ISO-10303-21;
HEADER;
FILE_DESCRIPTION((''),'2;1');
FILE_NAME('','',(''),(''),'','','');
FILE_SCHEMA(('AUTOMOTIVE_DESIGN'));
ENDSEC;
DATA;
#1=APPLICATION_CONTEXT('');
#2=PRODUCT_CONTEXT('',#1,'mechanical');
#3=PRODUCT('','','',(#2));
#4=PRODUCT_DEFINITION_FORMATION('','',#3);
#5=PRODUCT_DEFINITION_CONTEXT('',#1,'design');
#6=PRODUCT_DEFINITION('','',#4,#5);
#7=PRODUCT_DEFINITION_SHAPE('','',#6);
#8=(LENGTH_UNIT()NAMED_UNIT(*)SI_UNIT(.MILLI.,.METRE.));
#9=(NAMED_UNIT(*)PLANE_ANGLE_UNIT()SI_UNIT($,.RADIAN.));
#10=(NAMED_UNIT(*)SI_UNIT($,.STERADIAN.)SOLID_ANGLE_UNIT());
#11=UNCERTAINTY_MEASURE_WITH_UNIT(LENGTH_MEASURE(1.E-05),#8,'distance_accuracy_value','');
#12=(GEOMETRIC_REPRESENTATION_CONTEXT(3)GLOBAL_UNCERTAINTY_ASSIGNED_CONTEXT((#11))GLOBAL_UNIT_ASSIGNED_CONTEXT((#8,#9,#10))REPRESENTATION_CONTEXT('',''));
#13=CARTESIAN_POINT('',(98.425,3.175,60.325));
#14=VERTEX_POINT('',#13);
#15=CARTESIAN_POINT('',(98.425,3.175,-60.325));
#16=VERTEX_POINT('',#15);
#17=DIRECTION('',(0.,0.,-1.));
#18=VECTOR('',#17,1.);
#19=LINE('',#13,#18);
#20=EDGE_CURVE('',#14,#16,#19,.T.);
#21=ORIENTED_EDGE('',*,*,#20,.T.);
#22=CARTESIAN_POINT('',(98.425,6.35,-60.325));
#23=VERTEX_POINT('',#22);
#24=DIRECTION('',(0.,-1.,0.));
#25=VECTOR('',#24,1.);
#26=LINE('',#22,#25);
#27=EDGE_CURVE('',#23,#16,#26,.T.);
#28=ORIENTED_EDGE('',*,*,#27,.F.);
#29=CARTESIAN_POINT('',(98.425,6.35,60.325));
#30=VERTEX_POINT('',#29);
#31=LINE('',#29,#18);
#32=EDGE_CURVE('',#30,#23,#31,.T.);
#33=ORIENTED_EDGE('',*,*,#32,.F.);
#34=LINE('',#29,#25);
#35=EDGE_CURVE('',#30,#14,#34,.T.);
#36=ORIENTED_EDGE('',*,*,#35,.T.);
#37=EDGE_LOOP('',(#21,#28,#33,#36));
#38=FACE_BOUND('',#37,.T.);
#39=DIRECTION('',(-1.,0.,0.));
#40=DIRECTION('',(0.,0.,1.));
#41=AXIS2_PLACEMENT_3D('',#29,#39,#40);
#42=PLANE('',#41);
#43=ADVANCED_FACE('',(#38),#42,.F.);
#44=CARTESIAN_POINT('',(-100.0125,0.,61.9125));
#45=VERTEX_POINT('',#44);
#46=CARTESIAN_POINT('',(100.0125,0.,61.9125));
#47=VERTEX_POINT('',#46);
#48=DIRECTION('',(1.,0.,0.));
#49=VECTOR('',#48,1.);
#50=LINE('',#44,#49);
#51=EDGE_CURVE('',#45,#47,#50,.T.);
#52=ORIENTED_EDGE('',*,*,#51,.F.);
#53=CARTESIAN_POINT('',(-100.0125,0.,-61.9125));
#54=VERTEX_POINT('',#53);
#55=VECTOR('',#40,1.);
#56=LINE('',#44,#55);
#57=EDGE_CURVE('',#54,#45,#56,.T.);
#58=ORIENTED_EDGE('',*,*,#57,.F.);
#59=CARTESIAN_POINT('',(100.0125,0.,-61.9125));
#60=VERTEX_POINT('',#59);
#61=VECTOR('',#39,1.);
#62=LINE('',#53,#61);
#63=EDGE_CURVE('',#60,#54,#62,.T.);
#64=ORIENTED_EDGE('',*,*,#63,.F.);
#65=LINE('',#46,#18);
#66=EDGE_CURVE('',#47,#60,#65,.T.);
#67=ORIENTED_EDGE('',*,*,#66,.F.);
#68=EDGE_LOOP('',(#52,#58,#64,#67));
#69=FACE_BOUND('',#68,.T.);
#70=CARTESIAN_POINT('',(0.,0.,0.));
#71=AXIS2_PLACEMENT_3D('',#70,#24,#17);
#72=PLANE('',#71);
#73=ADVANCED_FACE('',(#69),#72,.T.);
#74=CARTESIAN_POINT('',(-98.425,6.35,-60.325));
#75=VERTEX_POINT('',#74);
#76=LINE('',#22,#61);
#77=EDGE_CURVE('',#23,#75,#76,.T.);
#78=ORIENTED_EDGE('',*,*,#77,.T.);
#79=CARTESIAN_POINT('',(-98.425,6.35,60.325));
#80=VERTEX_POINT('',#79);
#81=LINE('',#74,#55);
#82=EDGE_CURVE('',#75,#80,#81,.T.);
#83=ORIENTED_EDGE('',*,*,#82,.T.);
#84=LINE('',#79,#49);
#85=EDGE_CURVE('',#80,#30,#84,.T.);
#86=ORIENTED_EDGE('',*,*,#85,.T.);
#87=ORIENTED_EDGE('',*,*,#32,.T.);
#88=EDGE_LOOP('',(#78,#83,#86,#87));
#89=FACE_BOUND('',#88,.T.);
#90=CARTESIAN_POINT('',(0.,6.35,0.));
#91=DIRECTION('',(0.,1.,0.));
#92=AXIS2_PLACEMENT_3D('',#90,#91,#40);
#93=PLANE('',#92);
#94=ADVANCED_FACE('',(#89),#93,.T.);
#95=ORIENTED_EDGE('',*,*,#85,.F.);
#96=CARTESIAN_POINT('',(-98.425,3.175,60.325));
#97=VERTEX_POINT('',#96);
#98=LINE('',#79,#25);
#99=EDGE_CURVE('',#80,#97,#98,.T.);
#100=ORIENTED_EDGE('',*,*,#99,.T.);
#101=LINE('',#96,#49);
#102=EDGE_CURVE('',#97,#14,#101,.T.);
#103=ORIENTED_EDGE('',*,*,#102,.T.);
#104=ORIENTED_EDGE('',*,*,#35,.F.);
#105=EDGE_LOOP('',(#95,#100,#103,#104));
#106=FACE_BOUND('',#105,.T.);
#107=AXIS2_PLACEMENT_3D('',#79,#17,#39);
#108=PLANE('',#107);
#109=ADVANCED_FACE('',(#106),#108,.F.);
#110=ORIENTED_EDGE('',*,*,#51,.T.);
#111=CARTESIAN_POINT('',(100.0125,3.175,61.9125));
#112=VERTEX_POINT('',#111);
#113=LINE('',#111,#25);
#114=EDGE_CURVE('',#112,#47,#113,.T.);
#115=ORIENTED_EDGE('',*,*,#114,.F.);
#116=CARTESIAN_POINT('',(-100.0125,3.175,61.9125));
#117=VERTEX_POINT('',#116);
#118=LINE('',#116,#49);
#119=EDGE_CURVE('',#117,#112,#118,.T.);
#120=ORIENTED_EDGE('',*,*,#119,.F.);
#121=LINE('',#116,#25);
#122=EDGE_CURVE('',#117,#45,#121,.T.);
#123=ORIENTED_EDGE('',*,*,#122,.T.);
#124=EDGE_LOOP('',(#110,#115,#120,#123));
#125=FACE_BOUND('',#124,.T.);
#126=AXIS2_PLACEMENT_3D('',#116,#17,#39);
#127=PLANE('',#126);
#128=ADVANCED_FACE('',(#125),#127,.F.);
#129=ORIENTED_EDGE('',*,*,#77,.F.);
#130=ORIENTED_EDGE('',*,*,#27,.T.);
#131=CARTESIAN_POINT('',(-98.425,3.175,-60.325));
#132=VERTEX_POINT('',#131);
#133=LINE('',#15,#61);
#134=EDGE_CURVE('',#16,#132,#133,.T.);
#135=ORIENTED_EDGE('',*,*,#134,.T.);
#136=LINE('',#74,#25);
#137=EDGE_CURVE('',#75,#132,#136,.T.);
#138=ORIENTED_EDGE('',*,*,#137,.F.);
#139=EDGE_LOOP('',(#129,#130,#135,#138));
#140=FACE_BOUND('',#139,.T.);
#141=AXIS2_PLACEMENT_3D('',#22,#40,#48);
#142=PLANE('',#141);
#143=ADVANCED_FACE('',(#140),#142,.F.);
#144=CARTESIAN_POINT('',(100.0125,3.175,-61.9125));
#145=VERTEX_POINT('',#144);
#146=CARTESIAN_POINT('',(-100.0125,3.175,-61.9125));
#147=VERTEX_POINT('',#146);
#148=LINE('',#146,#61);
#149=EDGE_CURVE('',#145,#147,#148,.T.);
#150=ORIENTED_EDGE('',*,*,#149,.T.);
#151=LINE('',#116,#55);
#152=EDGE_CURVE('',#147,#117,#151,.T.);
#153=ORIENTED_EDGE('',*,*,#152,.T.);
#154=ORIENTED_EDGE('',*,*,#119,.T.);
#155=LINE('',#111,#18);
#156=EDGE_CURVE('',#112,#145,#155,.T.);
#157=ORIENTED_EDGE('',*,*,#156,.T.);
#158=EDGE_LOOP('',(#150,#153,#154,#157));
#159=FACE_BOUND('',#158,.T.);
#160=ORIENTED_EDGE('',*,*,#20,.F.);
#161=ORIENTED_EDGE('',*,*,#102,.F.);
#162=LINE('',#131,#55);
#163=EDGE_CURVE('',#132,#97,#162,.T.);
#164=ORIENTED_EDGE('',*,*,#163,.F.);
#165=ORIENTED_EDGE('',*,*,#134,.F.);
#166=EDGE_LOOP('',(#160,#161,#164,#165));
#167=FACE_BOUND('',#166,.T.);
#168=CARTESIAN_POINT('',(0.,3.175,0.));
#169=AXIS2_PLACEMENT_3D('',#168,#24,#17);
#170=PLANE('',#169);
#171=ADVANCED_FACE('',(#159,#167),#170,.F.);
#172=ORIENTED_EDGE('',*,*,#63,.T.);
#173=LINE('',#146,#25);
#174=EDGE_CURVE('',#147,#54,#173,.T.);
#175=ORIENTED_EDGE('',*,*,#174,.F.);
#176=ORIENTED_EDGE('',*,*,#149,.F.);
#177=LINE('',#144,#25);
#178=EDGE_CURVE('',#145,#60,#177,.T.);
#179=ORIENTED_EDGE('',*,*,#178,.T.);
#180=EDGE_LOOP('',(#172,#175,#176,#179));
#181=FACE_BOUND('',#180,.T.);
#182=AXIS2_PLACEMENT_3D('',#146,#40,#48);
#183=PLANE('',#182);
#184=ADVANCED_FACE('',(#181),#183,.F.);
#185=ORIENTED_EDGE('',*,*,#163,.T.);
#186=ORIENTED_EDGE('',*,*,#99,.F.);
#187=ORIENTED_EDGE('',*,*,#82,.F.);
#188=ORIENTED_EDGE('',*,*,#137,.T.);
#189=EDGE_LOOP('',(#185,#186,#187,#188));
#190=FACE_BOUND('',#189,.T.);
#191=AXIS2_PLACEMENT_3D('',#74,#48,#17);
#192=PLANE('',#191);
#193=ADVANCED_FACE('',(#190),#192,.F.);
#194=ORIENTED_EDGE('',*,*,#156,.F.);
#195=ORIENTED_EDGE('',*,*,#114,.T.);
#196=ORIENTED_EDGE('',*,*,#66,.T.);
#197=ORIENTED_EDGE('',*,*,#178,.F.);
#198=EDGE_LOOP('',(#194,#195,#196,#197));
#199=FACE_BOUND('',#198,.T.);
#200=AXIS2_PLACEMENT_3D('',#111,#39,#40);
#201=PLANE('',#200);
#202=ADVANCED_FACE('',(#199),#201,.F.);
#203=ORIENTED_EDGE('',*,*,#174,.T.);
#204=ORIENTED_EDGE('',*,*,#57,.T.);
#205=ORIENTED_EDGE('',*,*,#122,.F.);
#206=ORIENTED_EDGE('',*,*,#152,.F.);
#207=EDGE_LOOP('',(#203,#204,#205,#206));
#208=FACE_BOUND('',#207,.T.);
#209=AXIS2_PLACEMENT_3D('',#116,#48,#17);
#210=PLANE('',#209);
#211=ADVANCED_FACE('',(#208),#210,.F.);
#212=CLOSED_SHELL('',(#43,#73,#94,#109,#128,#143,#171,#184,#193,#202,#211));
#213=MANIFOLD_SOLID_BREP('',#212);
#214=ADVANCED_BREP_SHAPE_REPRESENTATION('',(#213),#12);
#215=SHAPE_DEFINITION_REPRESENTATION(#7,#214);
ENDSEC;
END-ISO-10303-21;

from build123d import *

# Parameters (mm, degrees)
SKETCH1_W           = 200.025
SKETCH1_H           = 123.825
BOSS_EXTRUDE1_DEPTH = 3.175
SKETCH2_W           = 196.85
SKETCH2_H           = 120.65
BOSS_EXTRUDE2_DEPTH = 3.175


with BuildPart() as part:
    # Sketch1 → Boss-Extrude1 (new body)
    with BuildSketch(Plane(origin=(0, 0, 0), x_dir=(1, 0, 0), z_dir=(0, 1, 0))):
        Rectangle(SKETCH1_W, SKETCH1_H)
    extrude(amount=BOSS_EXTRUDE1_DEPTH)

    # Sketch2 → Boss-Extrude2 (add)
    with BuildSketch(Plane(origin=(0, 3.175, 0), x_dir=(1, 0, 0), z_dir=(0, 1, 0))):
        Rectangle(SKETCH2_W, SKETCH2_H)
    extrude(amount=BOSS_EXTRUDE2_DEPTH)


solid = part.part
